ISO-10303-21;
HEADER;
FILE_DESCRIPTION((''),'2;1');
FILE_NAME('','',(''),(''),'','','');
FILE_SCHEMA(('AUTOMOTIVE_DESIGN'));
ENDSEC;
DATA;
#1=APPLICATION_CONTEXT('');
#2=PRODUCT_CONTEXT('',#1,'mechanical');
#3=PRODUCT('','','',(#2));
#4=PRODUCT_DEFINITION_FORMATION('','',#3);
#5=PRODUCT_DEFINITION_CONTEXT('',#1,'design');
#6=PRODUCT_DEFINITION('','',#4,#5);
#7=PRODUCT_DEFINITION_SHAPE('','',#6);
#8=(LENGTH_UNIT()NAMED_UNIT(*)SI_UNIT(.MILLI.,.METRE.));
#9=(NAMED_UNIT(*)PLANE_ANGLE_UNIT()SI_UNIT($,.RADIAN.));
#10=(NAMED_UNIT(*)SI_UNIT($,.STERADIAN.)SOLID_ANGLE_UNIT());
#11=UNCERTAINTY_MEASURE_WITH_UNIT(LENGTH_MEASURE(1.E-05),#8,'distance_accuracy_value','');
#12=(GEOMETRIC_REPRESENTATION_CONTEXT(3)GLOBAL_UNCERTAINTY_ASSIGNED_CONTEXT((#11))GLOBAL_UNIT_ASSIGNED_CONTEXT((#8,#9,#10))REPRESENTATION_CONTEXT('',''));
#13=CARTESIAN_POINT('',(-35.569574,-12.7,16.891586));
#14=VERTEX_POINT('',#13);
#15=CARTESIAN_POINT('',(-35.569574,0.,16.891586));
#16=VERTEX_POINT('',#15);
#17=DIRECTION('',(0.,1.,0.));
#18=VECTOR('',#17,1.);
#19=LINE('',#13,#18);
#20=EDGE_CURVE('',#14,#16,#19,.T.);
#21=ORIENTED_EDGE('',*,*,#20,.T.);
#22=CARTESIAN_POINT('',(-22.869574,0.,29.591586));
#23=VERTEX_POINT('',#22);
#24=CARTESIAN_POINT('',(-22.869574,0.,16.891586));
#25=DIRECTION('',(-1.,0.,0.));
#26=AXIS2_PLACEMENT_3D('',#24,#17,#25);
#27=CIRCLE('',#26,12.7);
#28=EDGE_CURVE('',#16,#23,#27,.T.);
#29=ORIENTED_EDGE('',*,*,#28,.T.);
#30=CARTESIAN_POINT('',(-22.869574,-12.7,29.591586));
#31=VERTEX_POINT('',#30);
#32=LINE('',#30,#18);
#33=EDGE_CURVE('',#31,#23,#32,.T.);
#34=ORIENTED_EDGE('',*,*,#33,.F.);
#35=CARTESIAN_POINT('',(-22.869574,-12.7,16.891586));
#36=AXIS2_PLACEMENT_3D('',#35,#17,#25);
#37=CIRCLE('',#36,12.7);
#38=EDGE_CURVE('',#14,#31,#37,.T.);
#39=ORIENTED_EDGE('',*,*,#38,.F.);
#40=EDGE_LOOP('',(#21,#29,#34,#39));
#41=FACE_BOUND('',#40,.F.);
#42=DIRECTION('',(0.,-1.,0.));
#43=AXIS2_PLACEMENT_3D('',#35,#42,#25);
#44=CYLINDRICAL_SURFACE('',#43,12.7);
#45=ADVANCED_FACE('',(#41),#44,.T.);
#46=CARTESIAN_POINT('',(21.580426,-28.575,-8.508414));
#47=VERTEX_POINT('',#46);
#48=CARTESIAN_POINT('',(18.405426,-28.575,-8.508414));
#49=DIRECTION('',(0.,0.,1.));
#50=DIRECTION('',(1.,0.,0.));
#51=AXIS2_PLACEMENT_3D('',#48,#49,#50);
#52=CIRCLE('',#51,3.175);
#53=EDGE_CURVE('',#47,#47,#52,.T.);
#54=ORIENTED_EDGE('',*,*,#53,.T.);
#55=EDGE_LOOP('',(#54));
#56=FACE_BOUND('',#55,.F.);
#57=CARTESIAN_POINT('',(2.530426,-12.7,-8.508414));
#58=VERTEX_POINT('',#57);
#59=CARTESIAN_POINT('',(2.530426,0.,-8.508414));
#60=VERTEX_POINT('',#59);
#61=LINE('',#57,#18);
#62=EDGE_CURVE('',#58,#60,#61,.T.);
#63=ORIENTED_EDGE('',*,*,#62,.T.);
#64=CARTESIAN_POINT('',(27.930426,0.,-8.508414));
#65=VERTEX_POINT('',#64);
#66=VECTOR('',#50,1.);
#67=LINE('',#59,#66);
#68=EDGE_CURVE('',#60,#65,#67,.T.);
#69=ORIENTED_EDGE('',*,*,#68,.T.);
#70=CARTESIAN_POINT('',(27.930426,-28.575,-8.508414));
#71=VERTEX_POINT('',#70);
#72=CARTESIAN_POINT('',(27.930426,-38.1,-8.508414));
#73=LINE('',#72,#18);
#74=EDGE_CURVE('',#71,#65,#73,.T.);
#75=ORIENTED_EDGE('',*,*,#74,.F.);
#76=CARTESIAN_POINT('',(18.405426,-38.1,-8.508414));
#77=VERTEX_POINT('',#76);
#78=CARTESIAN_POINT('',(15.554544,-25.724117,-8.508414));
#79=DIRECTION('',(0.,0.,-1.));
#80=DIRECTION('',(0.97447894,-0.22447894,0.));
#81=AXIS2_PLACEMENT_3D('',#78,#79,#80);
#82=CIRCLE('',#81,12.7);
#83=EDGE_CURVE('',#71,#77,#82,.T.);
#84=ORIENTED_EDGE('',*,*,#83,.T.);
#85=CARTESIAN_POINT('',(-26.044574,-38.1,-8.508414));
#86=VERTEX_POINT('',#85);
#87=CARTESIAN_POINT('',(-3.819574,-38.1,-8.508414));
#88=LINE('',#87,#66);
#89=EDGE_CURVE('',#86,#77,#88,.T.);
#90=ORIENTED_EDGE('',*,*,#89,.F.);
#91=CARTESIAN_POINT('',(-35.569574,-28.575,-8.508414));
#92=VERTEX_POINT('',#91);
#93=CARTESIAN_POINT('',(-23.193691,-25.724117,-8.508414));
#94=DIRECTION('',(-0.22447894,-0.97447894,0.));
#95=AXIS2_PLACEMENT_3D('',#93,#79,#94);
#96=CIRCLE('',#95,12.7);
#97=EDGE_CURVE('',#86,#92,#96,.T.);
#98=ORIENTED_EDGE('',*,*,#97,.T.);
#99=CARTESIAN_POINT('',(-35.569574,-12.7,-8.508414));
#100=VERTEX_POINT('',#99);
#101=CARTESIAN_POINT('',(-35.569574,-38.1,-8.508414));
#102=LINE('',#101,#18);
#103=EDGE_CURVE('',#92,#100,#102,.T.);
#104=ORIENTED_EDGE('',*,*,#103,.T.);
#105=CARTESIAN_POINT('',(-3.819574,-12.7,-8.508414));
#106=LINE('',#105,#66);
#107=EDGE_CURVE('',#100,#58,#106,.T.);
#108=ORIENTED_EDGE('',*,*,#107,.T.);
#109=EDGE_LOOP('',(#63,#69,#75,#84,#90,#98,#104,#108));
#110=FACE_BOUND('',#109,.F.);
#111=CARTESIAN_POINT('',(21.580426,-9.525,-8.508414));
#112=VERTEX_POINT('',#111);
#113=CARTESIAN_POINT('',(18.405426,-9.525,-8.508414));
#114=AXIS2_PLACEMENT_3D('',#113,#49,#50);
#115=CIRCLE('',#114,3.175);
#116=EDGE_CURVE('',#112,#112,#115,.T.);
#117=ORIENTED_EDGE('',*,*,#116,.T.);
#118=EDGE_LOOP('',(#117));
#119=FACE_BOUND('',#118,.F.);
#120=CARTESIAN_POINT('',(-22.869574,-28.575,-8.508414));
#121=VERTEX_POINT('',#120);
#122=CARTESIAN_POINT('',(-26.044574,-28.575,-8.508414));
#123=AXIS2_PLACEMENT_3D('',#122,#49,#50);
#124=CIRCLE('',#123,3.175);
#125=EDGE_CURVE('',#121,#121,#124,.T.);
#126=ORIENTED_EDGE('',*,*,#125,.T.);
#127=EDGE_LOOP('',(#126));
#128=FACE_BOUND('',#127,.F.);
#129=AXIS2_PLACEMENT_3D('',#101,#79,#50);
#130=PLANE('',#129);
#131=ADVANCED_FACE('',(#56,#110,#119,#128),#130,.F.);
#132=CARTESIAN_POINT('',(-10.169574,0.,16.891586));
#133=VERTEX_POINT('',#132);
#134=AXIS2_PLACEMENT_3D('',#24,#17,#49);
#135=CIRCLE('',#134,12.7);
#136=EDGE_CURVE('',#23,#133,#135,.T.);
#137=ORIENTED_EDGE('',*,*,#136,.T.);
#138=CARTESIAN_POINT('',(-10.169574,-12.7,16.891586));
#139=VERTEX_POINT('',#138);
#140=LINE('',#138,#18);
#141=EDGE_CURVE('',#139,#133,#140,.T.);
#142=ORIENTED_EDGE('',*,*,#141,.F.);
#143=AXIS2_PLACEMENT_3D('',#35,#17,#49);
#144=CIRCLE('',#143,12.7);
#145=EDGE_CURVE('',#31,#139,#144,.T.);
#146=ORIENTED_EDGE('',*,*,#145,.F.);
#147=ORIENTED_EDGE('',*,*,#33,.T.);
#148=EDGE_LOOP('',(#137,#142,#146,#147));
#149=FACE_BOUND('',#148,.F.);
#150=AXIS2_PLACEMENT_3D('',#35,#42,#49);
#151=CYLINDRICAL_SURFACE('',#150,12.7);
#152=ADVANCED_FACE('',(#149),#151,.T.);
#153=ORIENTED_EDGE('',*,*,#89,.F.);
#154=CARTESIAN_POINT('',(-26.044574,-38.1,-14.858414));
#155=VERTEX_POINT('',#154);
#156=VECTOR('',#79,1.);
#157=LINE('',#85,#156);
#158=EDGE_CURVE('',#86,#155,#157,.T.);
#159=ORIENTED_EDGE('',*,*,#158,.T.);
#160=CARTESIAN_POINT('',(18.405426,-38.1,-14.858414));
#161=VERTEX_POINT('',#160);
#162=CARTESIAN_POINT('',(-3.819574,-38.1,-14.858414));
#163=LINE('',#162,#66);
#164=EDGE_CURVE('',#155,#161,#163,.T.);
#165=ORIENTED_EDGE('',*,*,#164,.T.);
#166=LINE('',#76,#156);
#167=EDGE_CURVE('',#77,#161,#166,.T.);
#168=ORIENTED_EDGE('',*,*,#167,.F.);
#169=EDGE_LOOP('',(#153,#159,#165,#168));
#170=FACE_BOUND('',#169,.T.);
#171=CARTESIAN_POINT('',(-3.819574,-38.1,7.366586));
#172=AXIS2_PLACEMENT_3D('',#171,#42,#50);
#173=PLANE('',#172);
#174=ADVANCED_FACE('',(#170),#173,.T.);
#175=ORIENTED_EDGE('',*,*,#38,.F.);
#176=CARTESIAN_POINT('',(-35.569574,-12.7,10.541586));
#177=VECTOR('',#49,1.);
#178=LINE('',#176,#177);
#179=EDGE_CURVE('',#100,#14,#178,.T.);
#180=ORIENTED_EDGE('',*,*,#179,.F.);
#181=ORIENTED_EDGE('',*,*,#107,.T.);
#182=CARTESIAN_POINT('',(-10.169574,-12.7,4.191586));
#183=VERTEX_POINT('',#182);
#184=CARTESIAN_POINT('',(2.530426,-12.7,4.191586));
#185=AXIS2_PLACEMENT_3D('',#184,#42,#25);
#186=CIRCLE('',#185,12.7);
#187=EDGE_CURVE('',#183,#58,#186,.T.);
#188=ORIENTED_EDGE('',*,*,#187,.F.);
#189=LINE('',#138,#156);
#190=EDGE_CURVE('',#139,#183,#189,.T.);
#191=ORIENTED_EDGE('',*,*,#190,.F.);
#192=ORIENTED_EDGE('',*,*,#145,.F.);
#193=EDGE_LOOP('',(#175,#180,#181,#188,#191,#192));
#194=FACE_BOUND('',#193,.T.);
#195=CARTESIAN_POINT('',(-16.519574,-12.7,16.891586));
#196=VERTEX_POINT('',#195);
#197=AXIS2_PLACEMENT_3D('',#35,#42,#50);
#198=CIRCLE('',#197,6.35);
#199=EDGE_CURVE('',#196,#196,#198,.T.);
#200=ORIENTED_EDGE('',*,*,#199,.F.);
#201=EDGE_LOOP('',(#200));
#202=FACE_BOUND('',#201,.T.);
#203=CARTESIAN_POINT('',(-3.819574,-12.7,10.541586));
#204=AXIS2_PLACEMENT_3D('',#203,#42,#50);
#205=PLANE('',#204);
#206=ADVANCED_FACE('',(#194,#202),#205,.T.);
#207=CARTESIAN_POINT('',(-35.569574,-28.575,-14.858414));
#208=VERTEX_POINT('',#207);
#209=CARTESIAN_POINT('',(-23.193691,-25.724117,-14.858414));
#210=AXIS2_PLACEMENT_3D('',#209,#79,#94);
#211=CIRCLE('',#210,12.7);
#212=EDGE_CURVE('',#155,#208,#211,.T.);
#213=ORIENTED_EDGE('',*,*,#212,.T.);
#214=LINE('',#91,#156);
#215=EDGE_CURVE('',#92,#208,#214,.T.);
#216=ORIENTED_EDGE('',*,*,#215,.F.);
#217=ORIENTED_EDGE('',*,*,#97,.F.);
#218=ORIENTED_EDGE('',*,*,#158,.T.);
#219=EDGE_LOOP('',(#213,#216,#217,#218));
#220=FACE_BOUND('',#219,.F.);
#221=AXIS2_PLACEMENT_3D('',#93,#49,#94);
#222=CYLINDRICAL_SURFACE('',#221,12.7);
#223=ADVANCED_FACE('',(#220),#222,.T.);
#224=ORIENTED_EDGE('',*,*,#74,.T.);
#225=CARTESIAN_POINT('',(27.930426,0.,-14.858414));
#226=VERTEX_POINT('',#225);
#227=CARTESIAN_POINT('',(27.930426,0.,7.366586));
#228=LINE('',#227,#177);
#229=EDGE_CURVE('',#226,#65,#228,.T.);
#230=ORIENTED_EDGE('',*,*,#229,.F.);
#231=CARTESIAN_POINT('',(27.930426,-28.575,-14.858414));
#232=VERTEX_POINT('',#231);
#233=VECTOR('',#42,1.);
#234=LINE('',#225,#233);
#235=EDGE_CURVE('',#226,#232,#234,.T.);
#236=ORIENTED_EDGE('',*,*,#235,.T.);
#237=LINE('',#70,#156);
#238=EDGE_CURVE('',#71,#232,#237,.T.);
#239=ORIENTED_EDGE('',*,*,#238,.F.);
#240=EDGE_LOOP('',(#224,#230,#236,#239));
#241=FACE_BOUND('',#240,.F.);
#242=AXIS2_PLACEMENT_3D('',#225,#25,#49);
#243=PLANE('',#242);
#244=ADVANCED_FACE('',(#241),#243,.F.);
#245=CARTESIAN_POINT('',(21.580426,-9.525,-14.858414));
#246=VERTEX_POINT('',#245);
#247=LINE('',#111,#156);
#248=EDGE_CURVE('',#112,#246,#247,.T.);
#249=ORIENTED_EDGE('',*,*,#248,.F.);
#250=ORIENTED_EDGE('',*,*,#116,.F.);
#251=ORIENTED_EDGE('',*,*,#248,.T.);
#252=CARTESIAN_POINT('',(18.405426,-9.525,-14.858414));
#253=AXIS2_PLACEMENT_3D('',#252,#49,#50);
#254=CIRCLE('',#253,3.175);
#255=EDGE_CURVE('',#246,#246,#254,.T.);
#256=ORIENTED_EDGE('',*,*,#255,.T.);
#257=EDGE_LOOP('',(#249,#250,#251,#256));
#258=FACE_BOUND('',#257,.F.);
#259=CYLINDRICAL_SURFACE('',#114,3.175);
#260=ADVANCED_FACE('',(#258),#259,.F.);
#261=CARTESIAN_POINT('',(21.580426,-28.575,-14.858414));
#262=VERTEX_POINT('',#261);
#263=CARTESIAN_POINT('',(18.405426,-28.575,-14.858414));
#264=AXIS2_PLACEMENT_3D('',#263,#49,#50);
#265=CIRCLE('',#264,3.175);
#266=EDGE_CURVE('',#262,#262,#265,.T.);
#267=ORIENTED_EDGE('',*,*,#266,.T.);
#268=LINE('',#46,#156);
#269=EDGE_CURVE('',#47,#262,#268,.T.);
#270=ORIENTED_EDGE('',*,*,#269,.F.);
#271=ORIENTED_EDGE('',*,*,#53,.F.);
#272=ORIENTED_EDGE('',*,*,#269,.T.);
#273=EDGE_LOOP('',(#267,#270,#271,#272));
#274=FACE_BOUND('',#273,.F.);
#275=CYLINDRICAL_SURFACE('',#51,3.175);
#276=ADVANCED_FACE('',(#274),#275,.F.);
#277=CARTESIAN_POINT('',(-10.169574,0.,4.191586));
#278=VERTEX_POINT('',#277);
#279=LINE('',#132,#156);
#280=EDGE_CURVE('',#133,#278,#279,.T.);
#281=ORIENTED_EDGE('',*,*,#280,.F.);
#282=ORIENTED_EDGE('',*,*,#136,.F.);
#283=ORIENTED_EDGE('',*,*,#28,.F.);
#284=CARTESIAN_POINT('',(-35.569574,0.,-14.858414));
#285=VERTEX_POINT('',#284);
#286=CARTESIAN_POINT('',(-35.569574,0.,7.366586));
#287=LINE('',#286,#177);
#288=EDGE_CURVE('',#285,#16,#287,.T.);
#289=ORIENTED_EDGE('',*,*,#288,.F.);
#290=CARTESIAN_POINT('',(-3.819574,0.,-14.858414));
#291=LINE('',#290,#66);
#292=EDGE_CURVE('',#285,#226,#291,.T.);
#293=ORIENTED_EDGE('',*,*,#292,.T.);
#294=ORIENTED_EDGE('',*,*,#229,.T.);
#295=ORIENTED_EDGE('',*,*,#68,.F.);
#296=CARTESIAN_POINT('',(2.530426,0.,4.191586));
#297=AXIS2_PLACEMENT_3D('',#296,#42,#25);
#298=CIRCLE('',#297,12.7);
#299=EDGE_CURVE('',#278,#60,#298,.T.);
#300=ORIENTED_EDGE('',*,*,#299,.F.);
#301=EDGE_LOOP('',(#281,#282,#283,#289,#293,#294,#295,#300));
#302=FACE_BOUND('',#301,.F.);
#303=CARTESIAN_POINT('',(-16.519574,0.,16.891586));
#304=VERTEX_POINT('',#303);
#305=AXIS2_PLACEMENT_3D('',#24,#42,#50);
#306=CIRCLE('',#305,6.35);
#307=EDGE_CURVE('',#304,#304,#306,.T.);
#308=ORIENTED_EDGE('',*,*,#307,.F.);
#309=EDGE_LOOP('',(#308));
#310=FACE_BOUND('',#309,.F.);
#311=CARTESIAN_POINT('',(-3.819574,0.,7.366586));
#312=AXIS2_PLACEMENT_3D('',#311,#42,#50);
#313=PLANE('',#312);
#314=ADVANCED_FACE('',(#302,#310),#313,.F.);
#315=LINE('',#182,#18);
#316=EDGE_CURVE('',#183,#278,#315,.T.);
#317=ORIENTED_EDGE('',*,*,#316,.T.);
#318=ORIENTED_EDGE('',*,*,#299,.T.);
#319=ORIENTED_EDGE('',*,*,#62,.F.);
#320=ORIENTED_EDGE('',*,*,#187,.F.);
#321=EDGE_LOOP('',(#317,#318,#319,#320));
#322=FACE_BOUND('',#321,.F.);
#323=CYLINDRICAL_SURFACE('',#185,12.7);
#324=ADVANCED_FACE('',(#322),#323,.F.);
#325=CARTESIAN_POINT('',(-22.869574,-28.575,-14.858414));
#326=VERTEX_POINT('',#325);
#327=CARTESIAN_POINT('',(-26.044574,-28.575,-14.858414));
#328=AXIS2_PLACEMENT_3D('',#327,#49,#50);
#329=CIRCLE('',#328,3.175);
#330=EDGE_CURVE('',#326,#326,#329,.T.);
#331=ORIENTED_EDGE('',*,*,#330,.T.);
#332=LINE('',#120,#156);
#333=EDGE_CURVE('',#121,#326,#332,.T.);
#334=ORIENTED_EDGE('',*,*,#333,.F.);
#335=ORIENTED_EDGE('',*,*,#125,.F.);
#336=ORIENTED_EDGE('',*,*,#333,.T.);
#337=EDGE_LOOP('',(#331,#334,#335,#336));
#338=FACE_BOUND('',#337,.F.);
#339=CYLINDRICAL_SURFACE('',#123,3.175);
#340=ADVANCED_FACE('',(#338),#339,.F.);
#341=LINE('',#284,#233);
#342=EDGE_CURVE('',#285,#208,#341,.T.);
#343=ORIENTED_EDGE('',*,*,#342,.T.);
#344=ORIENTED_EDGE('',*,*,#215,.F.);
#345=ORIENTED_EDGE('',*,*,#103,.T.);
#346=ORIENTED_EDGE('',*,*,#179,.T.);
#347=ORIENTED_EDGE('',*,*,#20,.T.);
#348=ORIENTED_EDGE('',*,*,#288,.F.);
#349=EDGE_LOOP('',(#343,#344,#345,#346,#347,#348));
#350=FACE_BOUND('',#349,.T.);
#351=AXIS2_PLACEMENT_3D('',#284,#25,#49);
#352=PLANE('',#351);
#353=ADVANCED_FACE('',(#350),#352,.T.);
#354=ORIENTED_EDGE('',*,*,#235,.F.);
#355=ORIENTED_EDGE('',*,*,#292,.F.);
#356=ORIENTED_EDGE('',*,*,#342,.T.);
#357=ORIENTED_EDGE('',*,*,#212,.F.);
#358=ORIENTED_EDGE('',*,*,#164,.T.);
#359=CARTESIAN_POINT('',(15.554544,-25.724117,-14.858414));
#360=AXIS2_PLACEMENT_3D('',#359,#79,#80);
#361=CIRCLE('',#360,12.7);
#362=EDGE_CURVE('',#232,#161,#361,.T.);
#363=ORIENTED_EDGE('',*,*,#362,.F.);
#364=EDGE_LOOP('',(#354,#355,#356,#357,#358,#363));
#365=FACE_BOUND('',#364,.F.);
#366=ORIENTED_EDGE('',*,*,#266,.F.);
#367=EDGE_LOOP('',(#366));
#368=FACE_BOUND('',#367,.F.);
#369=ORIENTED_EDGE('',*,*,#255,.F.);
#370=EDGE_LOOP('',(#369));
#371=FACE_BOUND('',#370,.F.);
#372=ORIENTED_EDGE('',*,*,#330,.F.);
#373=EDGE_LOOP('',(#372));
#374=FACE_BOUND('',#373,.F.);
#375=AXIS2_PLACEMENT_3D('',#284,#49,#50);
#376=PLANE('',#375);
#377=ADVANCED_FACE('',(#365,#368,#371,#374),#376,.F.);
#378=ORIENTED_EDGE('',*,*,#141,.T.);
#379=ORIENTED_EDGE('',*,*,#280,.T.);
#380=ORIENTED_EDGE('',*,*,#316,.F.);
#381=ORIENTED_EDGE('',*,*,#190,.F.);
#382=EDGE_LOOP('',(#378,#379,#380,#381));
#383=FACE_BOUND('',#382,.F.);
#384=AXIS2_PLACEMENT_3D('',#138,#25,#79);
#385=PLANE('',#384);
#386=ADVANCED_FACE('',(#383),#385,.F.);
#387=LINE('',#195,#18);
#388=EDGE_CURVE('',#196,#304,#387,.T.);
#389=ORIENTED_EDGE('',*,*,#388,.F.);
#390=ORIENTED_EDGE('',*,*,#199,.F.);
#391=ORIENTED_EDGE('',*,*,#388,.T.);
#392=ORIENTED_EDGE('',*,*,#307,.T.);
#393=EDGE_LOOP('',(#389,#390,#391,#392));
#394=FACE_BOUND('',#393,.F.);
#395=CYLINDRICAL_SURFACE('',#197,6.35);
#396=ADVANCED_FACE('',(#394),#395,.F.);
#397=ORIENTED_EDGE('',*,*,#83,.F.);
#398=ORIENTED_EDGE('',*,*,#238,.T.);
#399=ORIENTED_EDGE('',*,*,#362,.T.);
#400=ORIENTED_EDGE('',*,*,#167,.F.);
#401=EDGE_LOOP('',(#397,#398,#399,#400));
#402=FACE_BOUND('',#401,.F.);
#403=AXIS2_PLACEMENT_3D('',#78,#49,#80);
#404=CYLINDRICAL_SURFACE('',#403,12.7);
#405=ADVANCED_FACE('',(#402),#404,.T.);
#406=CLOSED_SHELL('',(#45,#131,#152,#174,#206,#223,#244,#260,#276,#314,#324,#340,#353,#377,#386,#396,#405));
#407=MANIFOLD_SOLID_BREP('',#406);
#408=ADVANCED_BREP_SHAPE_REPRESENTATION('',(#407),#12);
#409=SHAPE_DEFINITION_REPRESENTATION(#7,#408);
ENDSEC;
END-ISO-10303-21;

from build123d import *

# Parameters (mm, degrees)
F0_W     = 63.5
F0_H     = 44.45
F1_DEPTH = 38.1
F2_W     = 63.5
F2_H     = 38.1
F3_DEPTH = 25.4
F4_R     = 6.35
F5_DEPTH = 12.7
F6_R     = 3.175
F7_DEPTH = 6.35


with BuildPart() as f1:
    # F0 (on Front) → F1 (new body)
    with BuildSketch(Plane.XZ):
        with Locations((-3.8195736706, 7.3665864387)):
            Rectangle(F0_W, F0_H)
    extrude(amount=F1_DEPTH)

    # F2 (on face) → F3 (cut)
    with BuildSketch(Plane.XZ.offset(38.1)):
        with Locations((-3.8195736706, 10.5415864387)):
            Rectangle(F2_W, F2_H)
    extrude(amount=-F3_DEPTH, mode=Mode.SUBTRACT)

    # F4 (on face) → F5 (cut)
    with BuildSketch(Plane.XZ.offset(12.7)):
        with BuildLine():
            Line((-35.5695736706, 29.5915864387), (-35.5695736706, 16.8915864387))
            ThreePointArc((-35.5695736706, 16.8915864387), (-31.8498297917, 25.8718425598), (-22.8695736706, 29.5915864387))
            Line((-22.8695736706, 29.5915864387), (-35.5695736706, 29.5915864387))
        make_face()
        with BuildLine():
            ThreePointArc((-10.1695736706, 4.1915864387), (-6.4498297917, -4.7886696824), (2.5304263294, -8.5084135613))
            Line((2.5304263294, -8.5084135613), (27.9304263294, -8.5084135613))
            Line((27.9304263294, -8.5084135613), (27.9304263294, 29.5915864387))
            Line((27.9304263294, 29.5915864387), (-22.8695736706, 29.5915864387))
            ThreePointArc((-22.8695736706, 29.5915864387), (-13.8893175496, 25.8718425598), (-10.1695736706, 16.8915864387))
            Line((-10.1695736706, 16.8915864387), (-10.1695736706, 4.1915864387))
        make_face()
        with Locations((-22.8695736706, 16.8915864387)):
            Circle(F4_R)
    extrude(amount=-F5_DEPTH, mode=Mode.SUBTRACT)

    # F6 (on face) → F7 (cut)
    with BuildSketch(Plane.XY.offset(-8.5084135613)):
        with Locations((18.4054263294, -9.525)):
            Circle(F6_R)
        with Locations((18.4054263294, -28.575)):
            Circle(F6_R)
        with Locations((-26.0445736706, -28.575)):
            Circle(F6_R)
        with BuildLine():
            Line((-35.5695736706, -38.1), (-26.0445736706, -38.1))
            ThreePointArc((-26.0445736706, -38.1), (-32.1739472484, -34.7043735778), (-35.5695736706, -28.575))
            Line((-35.5695736706, -28.575), (-35.5695736706, -38.1))
        make_face()
        with BuildLine():
            ThreePointArc((27.9304263294, -28.575), (24.5347999072, -34.7043735778), (18.4054263294, -38.1))
            Line((18.4054263294, -38.1), (27.9304263294, -38.1))
            Line((27.9304263294, -38.1), (27.9304263294, -28.575))
        make_face()
    extrude(amount=-F7_DEPTH, mode=Mode.SUBTRACT)


solid = f1.part
